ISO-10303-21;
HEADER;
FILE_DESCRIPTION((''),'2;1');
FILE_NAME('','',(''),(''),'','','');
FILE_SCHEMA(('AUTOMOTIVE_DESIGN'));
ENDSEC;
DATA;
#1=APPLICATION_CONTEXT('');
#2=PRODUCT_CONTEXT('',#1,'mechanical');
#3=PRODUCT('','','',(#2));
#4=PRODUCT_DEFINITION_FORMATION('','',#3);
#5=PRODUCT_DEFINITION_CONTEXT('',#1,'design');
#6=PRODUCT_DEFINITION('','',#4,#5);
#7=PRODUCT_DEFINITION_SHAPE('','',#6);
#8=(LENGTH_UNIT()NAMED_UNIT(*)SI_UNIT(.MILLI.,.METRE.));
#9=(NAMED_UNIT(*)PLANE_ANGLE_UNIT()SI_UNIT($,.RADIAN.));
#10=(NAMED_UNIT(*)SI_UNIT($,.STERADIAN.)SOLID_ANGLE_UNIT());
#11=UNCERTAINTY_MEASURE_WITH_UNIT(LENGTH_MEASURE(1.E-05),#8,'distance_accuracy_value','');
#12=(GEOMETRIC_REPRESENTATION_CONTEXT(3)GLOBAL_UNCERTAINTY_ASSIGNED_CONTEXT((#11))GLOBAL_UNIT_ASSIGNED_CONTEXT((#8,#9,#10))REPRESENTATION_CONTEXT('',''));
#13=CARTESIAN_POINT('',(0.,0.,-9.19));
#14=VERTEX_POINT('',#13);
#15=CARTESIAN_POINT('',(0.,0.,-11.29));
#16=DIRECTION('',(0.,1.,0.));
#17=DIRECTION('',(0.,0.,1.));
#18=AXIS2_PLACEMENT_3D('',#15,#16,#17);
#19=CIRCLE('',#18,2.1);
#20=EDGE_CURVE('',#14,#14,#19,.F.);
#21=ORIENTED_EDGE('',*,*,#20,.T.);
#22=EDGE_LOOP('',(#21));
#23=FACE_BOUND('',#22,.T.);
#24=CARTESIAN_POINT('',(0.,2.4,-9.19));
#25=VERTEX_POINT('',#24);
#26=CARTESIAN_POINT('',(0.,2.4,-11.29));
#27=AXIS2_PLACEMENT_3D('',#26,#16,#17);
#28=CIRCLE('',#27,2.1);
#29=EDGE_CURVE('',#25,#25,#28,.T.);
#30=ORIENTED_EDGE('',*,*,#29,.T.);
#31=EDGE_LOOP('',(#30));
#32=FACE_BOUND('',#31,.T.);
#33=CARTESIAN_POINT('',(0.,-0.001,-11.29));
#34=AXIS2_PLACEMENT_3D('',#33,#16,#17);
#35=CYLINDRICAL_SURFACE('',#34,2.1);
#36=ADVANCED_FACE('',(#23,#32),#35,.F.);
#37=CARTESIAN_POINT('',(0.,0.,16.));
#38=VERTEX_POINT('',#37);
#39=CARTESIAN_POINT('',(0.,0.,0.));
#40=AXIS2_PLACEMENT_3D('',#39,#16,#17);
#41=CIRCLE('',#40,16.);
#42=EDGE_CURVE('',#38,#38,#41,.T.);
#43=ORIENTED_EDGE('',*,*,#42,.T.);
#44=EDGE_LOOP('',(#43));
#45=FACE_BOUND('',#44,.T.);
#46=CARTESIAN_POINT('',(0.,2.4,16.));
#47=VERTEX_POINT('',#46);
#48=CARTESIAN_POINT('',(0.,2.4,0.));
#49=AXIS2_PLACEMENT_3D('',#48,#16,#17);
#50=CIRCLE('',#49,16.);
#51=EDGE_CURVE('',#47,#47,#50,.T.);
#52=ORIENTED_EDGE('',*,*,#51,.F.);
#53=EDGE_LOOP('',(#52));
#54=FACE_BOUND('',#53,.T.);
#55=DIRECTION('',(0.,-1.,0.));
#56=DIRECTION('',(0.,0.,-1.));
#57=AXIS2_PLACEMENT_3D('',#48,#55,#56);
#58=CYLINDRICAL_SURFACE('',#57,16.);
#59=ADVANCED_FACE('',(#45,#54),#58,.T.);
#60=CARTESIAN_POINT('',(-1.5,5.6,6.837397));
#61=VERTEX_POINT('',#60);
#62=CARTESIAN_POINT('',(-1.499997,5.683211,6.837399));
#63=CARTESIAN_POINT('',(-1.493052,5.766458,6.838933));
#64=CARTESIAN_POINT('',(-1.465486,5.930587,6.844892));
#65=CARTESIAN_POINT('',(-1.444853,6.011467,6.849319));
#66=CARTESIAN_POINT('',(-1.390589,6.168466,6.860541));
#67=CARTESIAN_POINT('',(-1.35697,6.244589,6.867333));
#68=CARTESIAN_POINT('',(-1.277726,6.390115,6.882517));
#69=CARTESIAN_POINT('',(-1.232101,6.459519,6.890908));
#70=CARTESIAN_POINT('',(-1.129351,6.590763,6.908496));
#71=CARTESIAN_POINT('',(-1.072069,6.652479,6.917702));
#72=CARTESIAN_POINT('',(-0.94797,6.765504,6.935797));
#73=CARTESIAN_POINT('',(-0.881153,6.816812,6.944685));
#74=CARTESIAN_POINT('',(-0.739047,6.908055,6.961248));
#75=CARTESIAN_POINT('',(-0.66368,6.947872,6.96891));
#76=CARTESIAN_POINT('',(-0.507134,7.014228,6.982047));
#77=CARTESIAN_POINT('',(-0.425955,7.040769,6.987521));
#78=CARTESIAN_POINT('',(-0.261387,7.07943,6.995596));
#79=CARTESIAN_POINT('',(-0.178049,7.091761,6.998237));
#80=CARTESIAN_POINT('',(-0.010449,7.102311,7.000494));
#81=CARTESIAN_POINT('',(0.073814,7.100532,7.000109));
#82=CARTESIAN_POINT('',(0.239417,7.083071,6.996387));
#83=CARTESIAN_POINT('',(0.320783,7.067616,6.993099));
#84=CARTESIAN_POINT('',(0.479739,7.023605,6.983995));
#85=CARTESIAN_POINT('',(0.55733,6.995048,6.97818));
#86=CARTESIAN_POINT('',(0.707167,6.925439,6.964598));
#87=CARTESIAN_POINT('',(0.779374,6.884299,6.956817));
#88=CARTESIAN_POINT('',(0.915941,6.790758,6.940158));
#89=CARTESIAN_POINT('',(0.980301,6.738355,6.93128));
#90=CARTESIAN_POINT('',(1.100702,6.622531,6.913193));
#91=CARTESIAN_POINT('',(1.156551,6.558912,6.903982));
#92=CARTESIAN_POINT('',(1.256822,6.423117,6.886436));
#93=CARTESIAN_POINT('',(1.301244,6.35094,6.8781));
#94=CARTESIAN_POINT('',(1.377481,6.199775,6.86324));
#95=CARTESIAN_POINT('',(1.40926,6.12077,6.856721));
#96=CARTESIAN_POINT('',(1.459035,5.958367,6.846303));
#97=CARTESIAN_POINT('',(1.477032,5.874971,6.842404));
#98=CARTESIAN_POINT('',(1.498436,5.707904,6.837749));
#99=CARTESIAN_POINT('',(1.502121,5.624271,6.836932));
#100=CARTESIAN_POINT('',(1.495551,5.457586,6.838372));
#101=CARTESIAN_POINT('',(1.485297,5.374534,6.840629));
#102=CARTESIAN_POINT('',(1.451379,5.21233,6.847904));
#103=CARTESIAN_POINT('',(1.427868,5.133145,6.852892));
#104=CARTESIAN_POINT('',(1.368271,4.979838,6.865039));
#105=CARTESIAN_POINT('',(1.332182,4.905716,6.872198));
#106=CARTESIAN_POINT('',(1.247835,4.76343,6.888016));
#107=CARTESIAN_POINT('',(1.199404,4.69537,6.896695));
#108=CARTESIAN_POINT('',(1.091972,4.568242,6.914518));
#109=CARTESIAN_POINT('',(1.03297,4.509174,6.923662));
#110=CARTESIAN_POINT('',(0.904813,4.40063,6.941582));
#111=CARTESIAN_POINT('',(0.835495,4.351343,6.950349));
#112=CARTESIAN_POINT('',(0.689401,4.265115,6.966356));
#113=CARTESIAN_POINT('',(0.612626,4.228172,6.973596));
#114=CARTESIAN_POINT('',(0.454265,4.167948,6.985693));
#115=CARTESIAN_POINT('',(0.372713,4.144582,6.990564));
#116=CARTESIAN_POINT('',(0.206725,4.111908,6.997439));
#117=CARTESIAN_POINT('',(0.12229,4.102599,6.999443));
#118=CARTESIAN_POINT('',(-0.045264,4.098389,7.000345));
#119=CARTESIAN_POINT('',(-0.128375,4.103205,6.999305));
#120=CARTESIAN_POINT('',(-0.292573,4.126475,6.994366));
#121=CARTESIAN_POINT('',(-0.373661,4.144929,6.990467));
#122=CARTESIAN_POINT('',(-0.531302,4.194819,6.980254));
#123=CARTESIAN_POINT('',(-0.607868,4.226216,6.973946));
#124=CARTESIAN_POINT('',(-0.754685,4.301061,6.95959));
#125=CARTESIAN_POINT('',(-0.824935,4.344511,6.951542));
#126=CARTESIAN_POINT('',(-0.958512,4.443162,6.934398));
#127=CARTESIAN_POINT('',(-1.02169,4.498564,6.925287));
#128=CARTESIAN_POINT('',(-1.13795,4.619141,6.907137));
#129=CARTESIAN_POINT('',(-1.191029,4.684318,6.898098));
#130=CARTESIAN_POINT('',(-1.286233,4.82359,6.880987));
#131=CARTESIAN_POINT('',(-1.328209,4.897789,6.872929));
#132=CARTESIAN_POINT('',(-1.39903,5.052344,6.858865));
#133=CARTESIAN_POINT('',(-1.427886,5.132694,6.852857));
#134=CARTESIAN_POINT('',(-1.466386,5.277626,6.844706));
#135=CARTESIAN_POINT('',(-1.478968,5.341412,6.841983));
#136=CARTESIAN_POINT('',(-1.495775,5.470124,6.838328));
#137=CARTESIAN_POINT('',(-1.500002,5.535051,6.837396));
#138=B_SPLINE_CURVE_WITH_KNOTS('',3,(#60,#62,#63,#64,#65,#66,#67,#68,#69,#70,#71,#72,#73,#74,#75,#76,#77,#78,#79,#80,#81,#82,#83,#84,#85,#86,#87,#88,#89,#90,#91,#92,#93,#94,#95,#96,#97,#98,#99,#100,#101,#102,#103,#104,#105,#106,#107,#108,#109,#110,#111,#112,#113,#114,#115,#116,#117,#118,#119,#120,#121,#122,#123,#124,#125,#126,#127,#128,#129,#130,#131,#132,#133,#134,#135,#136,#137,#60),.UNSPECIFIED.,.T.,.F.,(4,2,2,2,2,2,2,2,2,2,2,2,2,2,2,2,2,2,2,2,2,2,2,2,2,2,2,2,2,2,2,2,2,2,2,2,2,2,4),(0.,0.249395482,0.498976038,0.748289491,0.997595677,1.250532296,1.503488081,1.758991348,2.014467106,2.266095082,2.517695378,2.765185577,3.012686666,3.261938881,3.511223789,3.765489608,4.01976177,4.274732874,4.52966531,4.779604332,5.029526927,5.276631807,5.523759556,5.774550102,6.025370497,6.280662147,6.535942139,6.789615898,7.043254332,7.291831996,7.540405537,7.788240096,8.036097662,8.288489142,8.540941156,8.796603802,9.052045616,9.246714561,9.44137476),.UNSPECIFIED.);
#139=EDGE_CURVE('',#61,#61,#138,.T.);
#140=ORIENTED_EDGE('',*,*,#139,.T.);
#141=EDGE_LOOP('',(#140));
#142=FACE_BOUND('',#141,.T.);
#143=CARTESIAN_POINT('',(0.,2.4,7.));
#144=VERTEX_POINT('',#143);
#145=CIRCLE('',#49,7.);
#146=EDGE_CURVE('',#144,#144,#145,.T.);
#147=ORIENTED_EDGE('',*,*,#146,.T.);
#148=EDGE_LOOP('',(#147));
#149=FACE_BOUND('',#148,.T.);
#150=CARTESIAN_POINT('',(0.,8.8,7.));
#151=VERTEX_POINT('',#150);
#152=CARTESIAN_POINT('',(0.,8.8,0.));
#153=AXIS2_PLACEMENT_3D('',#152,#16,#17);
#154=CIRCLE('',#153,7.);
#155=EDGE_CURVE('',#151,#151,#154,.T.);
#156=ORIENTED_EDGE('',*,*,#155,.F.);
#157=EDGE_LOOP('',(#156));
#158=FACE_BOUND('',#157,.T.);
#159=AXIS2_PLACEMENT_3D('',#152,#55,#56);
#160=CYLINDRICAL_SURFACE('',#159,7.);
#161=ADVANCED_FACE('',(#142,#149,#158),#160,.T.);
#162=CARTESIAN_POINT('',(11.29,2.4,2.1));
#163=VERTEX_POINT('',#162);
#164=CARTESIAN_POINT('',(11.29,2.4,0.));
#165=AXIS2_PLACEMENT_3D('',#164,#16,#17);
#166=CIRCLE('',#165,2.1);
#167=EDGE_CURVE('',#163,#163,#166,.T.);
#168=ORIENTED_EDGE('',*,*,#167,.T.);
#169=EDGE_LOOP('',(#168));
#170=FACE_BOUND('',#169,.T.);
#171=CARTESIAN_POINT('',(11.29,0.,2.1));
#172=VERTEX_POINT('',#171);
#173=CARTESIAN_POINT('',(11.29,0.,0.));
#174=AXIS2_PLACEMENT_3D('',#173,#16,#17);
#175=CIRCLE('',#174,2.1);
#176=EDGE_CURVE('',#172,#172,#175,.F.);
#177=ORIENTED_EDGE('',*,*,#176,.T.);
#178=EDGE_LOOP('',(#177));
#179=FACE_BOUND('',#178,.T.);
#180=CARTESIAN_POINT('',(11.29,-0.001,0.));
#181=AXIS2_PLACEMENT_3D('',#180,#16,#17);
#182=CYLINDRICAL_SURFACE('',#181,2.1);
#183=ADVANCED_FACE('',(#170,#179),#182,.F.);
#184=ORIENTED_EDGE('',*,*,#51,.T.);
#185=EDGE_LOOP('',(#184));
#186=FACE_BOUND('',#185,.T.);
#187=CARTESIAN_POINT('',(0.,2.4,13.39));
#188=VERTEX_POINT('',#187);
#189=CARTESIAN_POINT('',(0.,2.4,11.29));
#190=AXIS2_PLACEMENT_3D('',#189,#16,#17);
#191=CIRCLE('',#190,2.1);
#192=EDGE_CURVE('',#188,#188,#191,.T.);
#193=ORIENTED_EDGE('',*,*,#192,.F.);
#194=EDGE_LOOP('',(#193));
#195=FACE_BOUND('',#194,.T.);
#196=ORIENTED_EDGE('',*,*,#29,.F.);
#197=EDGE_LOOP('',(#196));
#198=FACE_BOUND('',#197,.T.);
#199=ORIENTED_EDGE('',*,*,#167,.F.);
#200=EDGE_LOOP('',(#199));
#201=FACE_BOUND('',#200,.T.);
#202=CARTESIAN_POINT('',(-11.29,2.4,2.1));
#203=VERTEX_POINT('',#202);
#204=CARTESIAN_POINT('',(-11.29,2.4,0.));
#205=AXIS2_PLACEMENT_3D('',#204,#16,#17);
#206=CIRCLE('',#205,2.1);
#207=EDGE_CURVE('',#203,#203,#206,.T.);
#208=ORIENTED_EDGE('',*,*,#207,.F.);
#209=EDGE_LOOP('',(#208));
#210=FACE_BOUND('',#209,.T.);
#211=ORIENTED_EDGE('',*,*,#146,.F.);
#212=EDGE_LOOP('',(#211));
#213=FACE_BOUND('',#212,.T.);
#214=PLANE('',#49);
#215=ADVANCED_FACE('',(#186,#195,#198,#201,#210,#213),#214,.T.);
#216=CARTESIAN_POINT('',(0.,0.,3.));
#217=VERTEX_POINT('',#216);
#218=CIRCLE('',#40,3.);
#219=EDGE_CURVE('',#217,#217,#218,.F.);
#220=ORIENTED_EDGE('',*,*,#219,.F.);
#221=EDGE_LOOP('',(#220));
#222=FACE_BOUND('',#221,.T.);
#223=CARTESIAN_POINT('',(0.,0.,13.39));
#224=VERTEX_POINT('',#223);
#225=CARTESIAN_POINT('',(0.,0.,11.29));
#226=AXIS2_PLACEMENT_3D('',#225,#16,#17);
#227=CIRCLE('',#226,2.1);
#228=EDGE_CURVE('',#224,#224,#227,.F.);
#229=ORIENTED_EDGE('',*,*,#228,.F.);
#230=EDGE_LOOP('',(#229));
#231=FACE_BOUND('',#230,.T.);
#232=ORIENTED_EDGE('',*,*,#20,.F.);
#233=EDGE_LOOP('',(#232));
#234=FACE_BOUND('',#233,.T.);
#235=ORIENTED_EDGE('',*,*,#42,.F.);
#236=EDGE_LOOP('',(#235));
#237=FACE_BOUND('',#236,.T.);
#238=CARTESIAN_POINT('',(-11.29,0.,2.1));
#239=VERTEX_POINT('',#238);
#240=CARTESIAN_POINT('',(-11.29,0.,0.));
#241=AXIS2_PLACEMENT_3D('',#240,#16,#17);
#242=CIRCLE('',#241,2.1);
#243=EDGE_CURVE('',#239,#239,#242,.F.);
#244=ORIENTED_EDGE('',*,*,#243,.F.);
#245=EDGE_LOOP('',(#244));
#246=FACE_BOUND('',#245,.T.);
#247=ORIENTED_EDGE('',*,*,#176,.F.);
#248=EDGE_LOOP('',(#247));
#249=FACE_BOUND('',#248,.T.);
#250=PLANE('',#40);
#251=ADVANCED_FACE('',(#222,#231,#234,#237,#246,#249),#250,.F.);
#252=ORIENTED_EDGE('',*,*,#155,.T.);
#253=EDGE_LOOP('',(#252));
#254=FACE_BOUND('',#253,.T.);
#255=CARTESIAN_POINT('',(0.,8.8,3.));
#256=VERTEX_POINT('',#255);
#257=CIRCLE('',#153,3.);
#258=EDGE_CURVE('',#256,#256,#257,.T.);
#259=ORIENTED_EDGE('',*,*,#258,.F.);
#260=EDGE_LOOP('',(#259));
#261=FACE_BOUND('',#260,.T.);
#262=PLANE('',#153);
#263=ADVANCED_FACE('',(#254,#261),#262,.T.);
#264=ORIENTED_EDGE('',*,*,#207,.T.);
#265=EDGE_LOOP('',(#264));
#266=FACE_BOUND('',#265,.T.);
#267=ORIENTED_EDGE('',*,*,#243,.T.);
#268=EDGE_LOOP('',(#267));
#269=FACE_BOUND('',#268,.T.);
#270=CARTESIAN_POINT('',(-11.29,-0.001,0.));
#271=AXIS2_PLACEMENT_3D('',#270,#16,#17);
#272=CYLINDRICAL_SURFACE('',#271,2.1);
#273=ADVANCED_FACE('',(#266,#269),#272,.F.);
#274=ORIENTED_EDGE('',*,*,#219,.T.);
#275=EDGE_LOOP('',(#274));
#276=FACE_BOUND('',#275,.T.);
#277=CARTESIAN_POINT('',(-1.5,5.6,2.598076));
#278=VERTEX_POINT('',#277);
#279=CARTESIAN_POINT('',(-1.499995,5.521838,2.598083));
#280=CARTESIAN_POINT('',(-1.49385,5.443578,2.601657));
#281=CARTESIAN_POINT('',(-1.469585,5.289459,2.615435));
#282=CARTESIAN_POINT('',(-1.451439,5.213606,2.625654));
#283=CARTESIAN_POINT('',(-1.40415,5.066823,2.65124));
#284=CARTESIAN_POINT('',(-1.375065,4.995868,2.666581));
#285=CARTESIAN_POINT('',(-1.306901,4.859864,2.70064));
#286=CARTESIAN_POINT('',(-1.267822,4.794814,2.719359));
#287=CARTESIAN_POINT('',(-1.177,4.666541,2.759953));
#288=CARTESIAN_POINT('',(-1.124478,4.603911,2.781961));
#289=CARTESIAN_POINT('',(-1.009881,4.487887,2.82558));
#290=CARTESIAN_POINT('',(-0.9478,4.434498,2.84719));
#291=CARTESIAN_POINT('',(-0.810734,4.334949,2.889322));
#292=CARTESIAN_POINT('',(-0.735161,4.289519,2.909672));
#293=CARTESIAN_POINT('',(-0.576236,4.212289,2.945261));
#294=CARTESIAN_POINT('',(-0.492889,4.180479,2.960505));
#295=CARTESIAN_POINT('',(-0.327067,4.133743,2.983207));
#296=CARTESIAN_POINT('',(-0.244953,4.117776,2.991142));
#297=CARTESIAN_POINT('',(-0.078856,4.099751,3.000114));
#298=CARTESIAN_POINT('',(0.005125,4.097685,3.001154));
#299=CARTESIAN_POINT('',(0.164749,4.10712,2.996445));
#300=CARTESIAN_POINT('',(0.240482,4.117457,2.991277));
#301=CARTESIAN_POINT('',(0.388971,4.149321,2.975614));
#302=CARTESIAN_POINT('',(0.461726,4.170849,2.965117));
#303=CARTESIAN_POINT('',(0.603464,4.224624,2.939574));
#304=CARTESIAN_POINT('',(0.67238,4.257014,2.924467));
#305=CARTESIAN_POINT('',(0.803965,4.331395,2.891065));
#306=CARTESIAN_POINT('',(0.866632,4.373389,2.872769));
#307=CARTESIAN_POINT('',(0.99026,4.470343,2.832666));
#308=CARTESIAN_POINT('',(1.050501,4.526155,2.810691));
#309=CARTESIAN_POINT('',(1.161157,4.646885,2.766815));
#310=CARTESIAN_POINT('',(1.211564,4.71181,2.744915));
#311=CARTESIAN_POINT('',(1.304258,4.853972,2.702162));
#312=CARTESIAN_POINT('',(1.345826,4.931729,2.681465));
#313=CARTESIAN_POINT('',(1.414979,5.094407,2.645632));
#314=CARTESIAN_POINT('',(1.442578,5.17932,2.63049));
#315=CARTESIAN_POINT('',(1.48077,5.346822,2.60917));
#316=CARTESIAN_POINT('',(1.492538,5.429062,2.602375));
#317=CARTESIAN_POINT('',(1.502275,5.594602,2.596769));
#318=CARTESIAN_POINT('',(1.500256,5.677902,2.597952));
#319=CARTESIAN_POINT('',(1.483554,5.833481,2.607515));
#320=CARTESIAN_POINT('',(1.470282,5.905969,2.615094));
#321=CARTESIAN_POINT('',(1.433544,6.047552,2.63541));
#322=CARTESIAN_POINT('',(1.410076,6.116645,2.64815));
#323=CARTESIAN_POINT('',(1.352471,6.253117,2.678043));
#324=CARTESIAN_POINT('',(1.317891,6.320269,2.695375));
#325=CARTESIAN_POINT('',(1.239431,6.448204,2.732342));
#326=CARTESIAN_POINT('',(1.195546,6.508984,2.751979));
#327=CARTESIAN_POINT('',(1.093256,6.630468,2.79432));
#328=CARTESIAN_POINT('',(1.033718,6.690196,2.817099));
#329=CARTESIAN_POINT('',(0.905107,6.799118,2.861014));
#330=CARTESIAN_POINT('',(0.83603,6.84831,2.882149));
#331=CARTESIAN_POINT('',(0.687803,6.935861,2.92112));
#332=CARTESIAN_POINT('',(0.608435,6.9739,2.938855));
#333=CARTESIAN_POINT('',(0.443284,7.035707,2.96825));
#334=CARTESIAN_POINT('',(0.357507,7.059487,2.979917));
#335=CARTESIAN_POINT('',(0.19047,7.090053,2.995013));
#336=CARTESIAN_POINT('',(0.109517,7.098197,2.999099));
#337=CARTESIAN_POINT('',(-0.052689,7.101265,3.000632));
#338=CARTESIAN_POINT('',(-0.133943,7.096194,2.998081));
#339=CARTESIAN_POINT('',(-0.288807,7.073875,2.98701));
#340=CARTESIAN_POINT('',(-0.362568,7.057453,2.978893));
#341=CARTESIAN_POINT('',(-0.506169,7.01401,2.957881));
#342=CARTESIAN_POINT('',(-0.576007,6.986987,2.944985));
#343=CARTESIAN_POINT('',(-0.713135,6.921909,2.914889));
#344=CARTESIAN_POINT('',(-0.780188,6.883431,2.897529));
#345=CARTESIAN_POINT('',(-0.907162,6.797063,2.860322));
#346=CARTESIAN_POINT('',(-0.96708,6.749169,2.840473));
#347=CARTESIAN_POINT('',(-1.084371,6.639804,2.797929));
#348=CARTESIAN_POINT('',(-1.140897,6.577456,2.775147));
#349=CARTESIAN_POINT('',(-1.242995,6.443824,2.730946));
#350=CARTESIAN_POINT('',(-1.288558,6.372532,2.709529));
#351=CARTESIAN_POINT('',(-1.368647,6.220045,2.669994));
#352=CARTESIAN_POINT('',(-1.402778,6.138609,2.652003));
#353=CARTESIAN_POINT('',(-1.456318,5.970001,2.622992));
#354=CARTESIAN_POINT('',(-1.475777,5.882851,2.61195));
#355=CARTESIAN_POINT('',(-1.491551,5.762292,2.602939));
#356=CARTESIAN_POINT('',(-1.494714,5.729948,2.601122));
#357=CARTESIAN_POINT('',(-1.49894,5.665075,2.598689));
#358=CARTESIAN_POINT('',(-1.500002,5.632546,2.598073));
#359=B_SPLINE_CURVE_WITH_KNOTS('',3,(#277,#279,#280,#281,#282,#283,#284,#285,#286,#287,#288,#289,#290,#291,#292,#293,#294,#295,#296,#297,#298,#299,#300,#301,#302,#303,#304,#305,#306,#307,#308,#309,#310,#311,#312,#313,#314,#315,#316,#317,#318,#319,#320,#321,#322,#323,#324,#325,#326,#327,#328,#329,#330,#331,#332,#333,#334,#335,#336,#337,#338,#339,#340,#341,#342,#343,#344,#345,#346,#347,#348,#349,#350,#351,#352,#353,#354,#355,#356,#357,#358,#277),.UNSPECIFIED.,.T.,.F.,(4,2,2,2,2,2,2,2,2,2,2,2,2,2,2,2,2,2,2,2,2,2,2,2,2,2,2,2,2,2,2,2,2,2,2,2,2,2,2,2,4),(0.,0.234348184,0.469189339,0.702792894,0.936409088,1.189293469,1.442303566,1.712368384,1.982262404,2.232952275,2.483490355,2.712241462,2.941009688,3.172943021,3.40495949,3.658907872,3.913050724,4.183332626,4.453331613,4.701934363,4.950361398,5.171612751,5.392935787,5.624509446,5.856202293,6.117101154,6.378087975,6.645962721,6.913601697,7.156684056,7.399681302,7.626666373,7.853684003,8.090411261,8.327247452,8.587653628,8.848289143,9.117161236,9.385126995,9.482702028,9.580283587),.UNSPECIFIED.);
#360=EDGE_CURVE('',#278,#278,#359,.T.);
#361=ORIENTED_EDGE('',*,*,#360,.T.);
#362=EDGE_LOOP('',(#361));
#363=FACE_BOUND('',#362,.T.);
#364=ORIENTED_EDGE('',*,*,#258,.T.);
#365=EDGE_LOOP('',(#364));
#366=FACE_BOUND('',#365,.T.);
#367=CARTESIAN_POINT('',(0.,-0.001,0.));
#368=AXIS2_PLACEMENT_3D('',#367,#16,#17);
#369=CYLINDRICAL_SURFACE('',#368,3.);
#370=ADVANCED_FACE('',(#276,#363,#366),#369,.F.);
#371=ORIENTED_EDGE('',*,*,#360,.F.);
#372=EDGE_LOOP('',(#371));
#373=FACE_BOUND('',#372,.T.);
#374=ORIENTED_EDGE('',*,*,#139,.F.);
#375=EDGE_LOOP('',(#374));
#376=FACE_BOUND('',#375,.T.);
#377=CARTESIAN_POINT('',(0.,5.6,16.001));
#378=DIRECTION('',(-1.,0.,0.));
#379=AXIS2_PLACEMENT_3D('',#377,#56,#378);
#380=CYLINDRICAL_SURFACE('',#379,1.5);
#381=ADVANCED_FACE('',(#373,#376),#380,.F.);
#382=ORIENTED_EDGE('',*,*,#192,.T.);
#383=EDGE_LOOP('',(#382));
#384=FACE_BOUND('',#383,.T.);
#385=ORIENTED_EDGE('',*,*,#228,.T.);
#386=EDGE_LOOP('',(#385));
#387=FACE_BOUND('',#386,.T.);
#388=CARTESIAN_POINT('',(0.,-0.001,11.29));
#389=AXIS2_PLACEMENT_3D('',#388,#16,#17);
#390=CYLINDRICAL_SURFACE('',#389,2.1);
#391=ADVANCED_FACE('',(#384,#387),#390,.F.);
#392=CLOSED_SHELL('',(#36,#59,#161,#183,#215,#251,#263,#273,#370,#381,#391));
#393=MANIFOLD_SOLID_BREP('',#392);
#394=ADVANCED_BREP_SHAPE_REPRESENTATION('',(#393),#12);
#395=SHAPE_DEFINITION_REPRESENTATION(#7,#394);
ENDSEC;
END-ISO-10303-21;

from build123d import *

# Parameters (mm, degrees)
SKETCH_1_R               = 16
EXTRUDE_1_DEPTH          = 2.4
SKETCH_2_R               = 7
EXTRUDE_2_DEPTH          = 6.4
CUT_EXTRUDE_1_REACH      = 26.278
SKETCH_3_R               = 3
CUT_EXTRUDE_2_REACH      = 25.515
SKETCH_4_R               = 2.1
CUT_EXTRUDE_3_REACH      = 26.278
CUT_EXTRUDE_3_END_RADIUS = 7
SKETCH_5_R               = 1.5


with BuildPart() as part:
    # 草圖1 → 填料-伸長1 (new body)
    with BuildSketch(Plane(origin=(0, 0, 0), x_dir=(1, 0, 0), z_dir=(0, 1, 0))):
        with Locations(Location((0, 0, 0), (0, 0, 270))):
            Circle(SKETCH_1_R)
    extrude(amount=EXTRUDE_1_DEPTH)

    # 草圖2 → 填料-伸長2 (add)
    with BuildSketch(Plane(origin=(0, 2.4, 0), x_dir=(1, 0, 0), z_dir=(0, 1, 0))):
        with Locations(Location((0, 0, 0), (0, 0, 270))):
            Circle(SKETCH_2_R)
    extrude(amount=EXTRUDE_2_DEPTH)

    # 草圖3 → 除料-伸長1 (cut, up to next)
    with BuildSketch(Plane(origin=(0, 8.8, 0), x_dir=(1, 0, 0), z_dir=(0, 1, 0)), mode=Mode.PRIVATE) as cut_extrude_1_sk1:
        with Locations(Location((0, 0, 0), (0, 0, 270))):
            Circle(SKETCH_3_R)
    cut_extrude_1_tool1 = extrude(cut_extrude_1_sk1.sketch, amount=-CUT_EXTRUDE_1_REACH, mode=Mode.PRIVATE) & part.part
    add(cut_extrude_1_tool1.solids().sort_by_distance((0, 8.8, 0))[0], mode=Mode.SUBTRACT)

    # 草圖4 → 除料-伸長2 (cut, up to next)
    with BuildSketch(Plane(origin=(0, 2.4, 0), x_dir=(1, 0, 0), z_dir=(0, 1, 0)), mode=Mode.PRIVATE) as cut_extrude_2_sk1:
        with Locations(Location((0, 11.29, 0), (0, 0, 270))):
            Circle(SKETCH_4_R)
    cut_extrude_2_tool1 = extrude(cut_extrude_2_sk1.sketch, amount=-CUT_EXTRUDE_2_REACH, mode=Mode.PRIVATE) & part.part
    # 草圖4 → 除料-伸長2 (cut, up to next)
    with BuildSketch(Plane(origin=(0, 2.4, 0), x_dir=(1, 0, 0), z_dir=(0, 1, 0)), mode=Mode.PRIVATE) as cut_extrude_2_sk2:
        with Locations(Location((11.29, 0, 0), (0, 0, 270))):
            Circle(SKETCH_4_R)
    cut_extrude_2_tool2 = extrude(cut_extrude_2_sk2.sketch, amount=-CUT_EXTRUDE_2_REACH, mode=Mode.PRIVATE) & part.part
    # 草圖4 → 除料-伸長2 (cut, up to next)
    with BuildSketch(Plane(origin=(0, 2.4, 0), x_dir=(1, 0, 0), z_dir=(0, 1, 0)), mode=Mode.PRIVATE) as cut_extrude_2_sk3:
        with Locations(Location((0, -11.29, 0), (0, 0, 270))):
            Circle(SKETCH_4_R)
    cut_extrude_2_tool3 = extrude(cut_extrude_2_sk3.sketch, amount=-CUT_EXTRUDE_2_REACH, mode=Mode.PRIVATE) & part.part
    # 草圖4 → 除料-伸長2 (cut, up to next)
    with BuildSketch(Plane(origin=(0, 2.4, 0), x_dir=(1, 0, 0), z_dir=(0, 1, 0)), mode=Mode.PRIVATE) as cut_extrude_2_sk4:
        with Locations(Location((-11.29, 0, 0), (0, 0, 270))):
            Circle(SKETCH_4_R)
    cut_extrude_2_tool4 = extrude(cut_extrude_2_sk4.sketch, amount=-CUT_EXTRUDE_2_REACH, mode=Mode.PRIVATE) & part.part
    add(cut_extrude_2_tool1.solids().sort_by_distance((0, 2.4, -11.29))[0], mode=Mode.SUBTRACT)
    add(cut_extrude_2_tool2.solids().sort_by_distance((11.29, 2.4, 0))[0], mode=Mode.SUBTRACT)
    add(cut_extrude_2_tool3.solids().sort_by_distance((0, 2.4, 11.29))[0], mode=Mode.SUBTRACT)
    add(cut_extrude_2_tool4.solids().sort_by_distance((-11.29, 2.4, 0))[0], mode=Mode.SUBTRACT)

    # 除料-伸長3: up to this cylinder (the profile starts inside it)
    cut_extrude_3_end = Plane(origin=(0, 5.6, 0), z_dir=(0, -1, 0)) * Cylinder(CUT_EXTRUDE_3_END_RADIUS, 67.556, mode=Mode.PRIVATE)
    # 草圖5 → 除料-伸長3 (cut, up to the surface)
    with BuildSketch(Plane.XY, mode=Mode.PRIVATE) as cut_extrude_3_sk1:
        with Locations(Location((0, 5.6, 0), (0, 0, 180))):
            Circle(SKETCH_5_R)
    cut_extrude_3_tool1 = extrude(cut_extrude_3_sk1.sketch, amount=CUT_EXTRUDE_3_REACH, mode=Mode.PRIVATE) & cut_extrude_3_end
    add(cut_extrude_3_tool1.solids().sort_by_distance((0, 5.6, 0))[0], mode=Mode.SUBTRACT)


solid = part.part
